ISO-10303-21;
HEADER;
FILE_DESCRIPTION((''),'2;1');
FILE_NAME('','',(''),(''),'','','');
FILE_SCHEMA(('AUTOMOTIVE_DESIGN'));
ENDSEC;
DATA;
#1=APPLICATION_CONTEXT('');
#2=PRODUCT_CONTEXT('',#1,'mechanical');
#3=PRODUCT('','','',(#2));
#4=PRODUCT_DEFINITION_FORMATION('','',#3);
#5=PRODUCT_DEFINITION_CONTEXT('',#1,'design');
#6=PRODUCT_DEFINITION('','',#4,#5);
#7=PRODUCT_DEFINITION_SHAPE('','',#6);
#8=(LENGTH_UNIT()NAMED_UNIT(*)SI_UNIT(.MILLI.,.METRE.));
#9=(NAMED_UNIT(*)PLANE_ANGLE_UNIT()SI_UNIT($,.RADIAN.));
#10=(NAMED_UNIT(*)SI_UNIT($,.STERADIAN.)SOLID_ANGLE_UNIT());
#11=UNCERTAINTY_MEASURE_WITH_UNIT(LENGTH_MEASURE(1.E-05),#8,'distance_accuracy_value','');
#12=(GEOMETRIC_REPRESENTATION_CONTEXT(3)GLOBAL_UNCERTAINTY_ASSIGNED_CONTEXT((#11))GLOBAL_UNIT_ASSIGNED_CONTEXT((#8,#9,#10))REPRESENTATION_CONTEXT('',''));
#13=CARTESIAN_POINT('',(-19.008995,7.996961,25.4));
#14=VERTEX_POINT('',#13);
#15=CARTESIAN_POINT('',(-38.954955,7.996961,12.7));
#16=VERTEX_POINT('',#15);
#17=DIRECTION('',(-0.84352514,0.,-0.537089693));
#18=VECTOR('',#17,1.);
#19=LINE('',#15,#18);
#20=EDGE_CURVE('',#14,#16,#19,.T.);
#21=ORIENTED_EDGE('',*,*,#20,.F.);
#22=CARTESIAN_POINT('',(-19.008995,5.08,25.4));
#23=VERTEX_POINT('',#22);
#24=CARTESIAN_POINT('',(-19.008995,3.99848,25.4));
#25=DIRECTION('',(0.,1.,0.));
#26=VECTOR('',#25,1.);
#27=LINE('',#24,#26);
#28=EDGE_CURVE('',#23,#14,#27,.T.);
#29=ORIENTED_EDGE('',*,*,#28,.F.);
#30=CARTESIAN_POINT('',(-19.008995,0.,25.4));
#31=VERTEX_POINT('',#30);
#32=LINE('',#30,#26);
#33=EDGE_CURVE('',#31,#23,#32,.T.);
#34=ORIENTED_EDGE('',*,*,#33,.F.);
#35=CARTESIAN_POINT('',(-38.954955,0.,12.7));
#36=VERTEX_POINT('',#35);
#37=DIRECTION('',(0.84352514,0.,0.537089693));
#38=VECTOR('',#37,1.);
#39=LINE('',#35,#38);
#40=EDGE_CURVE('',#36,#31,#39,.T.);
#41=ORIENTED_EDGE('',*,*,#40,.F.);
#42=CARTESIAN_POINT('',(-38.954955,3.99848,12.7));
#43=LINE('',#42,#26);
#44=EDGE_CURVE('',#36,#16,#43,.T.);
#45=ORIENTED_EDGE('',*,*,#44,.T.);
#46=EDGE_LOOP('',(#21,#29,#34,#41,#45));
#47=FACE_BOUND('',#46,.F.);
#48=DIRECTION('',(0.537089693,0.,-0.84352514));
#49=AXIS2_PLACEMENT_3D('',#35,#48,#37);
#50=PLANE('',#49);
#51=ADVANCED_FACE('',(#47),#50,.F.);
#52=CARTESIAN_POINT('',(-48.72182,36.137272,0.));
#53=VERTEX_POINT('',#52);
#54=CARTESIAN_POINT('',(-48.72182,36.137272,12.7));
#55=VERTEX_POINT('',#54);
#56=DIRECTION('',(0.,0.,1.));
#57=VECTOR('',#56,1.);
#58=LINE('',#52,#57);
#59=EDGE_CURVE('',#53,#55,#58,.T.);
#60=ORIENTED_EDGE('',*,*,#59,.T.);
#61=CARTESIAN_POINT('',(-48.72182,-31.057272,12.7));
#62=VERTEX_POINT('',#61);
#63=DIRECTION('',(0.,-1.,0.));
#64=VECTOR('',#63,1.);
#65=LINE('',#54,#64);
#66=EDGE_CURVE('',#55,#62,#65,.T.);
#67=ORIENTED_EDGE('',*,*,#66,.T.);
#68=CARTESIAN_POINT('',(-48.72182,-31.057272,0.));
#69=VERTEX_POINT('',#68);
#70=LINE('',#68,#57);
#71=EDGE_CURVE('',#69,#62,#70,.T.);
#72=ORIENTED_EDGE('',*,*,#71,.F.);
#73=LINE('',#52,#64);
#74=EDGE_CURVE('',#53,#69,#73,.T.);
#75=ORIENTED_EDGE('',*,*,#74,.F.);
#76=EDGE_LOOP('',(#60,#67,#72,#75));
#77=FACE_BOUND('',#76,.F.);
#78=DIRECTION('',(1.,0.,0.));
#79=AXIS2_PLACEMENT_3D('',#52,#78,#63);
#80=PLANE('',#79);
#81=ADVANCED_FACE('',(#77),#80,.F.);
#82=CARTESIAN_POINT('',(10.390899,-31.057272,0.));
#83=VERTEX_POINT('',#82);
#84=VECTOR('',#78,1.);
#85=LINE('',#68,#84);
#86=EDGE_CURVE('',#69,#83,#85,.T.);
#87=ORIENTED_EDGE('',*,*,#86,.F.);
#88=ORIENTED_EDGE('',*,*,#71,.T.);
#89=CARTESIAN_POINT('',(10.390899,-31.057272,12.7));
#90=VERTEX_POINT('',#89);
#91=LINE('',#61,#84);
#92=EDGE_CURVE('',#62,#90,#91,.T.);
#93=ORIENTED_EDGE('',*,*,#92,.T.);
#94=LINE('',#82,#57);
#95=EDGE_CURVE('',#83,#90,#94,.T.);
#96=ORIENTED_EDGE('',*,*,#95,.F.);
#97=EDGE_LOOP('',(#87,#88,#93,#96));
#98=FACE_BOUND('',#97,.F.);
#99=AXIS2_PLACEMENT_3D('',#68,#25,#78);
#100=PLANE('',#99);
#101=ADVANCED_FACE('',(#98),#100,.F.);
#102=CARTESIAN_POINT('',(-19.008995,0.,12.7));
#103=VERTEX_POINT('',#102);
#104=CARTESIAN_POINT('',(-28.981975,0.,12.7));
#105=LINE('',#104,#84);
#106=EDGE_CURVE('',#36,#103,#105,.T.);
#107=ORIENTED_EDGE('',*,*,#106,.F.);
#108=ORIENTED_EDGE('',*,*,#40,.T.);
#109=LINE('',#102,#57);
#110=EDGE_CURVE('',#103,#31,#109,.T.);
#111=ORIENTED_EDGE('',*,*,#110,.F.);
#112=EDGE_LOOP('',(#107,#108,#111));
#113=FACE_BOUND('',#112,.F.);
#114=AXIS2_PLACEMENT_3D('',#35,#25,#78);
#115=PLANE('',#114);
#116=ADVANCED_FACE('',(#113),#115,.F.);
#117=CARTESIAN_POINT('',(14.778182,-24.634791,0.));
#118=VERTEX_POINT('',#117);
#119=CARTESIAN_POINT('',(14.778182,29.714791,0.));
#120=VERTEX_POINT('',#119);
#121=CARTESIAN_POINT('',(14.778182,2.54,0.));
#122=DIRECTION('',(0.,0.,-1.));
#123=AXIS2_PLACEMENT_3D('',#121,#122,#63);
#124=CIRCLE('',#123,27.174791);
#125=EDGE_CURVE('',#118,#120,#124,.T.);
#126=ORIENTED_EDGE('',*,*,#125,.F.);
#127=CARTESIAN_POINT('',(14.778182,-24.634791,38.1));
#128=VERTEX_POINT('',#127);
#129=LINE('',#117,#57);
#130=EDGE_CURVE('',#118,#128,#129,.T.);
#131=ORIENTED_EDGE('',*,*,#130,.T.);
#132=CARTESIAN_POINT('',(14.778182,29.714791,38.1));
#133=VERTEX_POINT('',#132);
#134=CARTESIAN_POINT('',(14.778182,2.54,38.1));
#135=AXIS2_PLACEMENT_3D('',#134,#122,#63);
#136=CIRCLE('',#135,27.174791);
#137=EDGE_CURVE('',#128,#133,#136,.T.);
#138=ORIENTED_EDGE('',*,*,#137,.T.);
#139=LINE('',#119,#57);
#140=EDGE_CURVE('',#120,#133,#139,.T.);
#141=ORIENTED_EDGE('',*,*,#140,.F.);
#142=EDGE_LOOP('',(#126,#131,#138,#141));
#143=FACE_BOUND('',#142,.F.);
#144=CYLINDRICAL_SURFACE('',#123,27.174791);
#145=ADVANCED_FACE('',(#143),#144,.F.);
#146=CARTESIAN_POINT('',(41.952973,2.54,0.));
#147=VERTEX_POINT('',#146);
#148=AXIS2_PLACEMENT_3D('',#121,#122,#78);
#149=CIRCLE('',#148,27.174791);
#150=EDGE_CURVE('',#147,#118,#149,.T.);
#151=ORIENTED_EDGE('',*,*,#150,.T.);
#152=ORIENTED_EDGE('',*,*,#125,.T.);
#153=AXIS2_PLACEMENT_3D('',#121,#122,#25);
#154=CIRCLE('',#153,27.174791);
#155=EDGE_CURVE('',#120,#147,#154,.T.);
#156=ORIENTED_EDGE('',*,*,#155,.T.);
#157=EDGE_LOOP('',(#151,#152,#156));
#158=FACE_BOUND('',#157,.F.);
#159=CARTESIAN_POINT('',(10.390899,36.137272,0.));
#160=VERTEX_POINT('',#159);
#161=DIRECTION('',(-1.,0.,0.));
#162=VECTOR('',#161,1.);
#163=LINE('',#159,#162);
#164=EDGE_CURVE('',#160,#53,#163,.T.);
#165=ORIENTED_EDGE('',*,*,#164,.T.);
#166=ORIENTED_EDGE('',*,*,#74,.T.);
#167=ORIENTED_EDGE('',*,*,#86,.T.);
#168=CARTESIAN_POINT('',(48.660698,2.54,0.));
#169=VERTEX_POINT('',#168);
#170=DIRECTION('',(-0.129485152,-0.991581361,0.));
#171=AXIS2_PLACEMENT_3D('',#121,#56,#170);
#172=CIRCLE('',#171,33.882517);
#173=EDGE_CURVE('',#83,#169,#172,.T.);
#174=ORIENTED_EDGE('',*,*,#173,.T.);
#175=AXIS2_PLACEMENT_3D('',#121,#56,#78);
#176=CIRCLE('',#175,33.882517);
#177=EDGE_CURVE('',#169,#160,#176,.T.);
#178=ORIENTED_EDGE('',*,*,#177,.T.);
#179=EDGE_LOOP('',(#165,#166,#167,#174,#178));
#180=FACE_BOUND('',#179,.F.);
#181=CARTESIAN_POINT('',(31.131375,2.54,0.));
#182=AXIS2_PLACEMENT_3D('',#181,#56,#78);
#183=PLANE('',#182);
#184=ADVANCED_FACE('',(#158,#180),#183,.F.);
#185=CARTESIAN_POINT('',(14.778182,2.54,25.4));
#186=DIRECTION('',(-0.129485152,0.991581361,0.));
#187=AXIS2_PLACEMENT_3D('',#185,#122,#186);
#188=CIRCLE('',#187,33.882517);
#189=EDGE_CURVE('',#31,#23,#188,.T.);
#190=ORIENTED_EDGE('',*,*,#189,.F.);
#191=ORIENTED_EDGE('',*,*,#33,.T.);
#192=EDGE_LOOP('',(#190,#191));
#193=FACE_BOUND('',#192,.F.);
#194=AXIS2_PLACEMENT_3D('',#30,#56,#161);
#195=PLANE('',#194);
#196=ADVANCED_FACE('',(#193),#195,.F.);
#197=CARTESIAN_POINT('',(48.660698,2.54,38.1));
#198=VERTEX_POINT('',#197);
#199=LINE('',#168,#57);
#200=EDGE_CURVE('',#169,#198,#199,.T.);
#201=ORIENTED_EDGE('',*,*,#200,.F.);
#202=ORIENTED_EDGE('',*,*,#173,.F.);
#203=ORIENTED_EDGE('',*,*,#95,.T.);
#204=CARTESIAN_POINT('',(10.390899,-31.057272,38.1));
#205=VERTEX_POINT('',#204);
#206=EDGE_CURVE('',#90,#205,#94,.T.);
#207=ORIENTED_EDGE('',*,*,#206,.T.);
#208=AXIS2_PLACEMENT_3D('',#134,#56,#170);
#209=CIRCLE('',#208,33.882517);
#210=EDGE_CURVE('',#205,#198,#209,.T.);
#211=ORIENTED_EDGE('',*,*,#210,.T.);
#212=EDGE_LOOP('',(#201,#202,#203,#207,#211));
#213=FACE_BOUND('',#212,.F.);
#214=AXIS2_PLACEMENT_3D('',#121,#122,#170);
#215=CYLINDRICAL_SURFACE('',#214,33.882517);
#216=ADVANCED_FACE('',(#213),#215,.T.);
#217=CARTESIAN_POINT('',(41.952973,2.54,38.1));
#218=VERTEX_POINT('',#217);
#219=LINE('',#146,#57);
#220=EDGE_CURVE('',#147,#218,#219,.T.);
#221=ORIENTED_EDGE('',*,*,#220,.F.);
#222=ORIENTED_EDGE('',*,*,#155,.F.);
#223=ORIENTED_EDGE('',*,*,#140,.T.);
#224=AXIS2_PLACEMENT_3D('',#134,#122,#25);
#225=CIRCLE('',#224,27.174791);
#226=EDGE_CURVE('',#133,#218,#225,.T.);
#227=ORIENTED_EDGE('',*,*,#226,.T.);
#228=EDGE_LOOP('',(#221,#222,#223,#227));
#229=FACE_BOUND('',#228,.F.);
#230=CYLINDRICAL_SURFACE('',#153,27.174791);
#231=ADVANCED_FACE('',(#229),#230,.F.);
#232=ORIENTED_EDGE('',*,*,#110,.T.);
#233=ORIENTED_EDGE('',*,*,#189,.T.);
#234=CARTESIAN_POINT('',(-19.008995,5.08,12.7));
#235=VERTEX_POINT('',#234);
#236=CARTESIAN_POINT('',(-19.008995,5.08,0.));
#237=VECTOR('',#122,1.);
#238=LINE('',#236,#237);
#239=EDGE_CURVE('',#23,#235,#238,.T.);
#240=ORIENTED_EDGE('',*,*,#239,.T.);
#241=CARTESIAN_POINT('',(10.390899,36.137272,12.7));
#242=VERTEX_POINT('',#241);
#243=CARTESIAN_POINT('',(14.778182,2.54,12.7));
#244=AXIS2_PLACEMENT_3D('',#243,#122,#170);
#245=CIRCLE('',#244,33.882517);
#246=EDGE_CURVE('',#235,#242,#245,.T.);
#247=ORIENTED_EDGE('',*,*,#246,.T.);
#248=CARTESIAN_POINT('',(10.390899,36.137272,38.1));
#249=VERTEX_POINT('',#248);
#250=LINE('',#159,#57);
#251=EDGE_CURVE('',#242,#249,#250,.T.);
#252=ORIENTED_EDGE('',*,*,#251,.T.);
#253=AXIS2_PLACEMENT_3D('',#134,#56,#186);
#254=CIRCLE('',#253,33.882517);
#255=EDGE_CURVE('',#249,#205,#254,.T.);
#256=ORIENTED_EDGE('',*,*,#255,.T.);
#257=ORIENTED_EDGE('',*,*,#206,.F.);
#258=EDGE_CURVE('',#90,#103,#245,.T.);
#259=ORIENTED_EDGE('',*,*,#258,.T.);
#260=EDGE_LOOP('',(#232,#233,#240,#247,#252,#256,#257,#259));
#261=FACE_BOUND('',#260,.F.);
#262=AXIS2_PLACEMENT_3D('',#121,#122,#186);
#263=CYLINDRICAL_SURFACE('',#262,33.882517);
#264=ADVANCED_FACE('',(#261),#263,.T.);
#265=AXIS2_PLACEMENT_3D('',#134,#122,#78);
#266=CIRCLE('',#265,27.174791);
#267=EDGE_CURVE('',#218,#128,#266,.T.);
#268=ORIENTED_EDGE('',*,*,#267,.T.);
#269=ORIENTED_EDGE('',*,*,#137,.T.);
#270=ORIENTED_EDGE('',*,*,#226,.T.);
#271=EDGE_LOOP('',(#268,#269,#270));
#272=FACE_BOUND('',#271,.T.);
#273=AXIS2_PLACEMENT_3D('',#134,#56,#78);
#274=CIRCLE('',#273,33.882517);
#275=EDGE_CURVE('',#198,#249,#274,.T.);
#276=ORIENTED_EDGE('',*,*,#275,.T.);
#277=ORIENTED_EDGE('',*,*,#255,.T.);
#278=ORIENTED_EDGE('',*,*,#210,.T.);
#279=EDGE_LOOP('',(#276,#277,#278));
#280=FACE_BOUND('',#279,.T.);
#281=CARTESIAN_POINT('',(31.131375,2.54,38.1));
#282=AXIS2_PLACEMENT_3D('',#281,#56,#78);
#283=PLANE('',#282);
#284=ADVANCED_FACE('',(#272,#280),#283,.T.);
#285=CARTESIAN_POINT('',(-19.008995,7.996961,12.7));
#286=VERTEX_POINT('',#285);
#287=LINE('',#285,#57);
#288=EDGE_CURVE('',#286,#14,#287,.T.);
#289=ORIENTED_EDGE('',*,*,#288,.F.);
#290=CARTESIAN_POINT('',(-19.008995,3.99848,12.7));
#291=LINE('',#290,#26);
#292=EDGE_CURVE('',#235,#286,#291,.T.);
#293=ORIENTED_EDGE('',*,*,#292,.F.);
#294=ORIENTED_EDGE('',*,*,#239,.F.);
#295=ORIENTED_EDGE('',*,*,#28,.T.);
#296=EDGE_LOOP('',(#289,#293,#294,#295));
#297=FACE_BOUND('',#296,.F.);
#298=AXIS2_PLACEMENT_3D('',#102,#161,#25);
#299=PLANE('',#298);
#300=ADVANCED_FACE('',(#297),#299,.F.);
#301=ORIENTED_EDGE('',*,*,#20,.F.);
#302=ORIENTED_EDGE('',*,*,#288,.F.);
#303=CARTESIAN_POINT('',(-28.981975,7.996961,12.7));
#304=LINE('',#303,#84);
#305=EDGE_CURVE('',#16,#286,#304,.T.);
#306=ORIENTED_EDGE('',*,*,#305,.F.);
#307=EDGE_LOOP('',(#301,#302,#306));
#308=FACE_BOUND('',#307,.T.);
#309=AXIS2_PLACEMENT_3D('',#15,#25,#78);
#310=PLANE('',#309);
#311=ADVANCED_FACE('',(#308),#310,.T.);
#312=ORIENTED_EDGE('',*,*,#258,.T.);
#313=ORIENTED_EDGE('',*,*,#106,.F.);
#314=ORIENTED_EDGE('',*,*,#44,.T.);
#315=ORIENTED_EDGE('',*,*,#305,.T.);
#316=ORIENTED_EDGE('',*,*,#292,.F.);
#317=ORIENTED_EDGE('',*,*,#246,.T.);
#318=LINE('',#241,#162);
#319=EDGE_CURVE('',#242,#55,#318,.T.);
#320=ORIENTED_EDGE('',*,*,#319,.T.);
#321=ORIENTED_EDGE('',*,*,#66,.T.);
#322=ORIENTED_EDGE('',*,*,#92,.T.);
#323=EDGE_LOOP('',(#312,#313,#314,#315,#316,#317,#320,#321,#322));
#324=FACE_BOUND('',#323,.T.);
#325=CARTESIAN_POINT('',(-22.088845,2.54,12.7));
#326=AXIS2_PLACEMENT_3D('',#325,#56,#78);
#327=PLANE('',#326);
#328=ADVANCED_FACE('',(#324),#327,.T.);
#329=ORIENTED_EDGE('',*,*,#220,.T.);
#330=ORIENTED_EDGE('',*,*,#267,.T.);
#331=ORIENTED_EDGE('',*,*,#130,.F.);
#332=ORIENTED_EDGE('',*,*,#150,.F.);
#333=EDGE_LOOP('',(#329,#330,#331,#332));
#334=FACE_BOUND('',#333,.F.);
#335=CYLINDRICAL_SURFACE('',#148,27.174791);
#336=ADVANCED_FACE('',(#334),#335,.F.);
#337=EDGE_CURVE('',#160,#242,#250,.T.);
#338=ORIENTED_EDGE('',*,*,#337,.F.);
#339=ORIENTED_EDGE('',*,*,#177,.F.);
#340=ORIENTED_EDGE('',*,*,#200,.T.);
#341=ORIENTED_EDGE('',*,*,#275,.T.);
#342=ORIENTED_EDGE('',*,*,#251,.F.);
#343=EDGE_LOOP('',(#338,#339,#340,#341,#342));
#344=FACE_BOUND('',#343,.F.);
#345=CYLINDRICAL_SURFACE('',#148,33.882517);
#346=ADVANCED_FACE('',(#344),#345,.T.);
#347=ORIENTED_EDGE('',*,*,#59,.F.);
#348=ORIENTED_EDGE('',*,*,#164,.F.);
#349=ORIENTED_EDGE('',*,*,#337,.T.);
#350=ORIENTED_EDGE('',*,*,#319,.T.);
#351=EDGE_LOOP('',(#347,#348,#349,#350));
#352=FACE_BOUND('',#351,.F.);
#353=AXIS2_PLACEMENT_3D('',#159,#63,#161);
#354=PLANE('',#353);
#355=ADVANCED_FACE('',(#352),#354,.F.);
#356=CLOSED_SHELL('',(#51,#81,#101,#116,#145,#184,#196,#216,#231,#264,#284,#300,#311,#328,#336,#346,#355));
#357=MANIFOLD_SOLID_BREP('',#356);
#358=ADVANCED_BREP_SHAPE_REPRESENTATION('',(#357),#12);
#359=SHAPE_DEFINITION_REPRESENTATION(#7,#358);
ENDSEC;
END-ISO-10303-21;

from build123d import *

# Parameters (mm, degrees)
F1_DEPTH = 12.7
F2_DEPTH = 38.1
F3_W     = 19.9459594991
F3_H     = 7.9969605431
F4_DEPTH = 12.7
F6_DEPTH = 25.4


with BuildPart() as f1:
    # F0 (on Top) → F1 (new body)
    with BuildSketch(Plane.XY):
        with BuildLine():
            Line((10.3908990951, 36.1372716725), (-48.721820116, 36.1372716725))
            Line((-48.721820116, 36.1372716725), (-48.721820116, -31.0572721064))
            Line((-48.721820116, -31.0572721064), (10.3908990951, -31.0572721064))
            ThreePointArc((10.3908990951, -31.0572721064), (-19.1043346565, 2.539999783), (10.3908990951, 36.1372716725))
        make_face()
    extrude(amount=F1_DEPTH)

    # F0 (on Top) → F2 (join)
    with BuildSketch(Plane.XY):
        with BuildLine():
            ThreePointArc((48.6606984776, 2.539999783), (37.1318476752, 28.0024929013), (10.3908990951, 36.1372716725))
            Line((10.3908990951, 36.1372716725), (14.7781819105, 36.1372716725))
            Line((14.7781819105, 36.1372716725), (14.7781819105, 29.7147905973))
            ThreePointArc((14.7781819105, 29.7147905973), (33.9936607726, 21.7554786451), (41.9529727248, 2.539999783))
            ThreePointArc((41.9529727248, 2.539999783), (33.9936607726, -16.675479079), (14.7781819105, -24.6347910312))
            Line((14.7781819105, -24.6347910312), (14.7781819105, -31.0572721064))
            Line((14.7781819105, -31.0572721064), (10.3908990951, -31.0572721064))
            ThreePointArc((10.3908990951, -31.0572721064), (37.1318476752, -22.9224933352), (48.6606984776, 2.539999783))
        make_face()
        with BuildLine():
            Line((14.7781819105, 36.1372716725), (10.3908990951, 36.1372716725))
            ThreePointArc((10.3908990951, 36.1372716725), (-19.1043346565, 2.539999783), (10.3908990951, -31.0572721064))
            Line((10.3908990951, -31.0572721064), (14.7781819105, -31.0572721064))
            Line((14.7781819105, -31.0572721064), (14.7781819105, -24.6347910312))
            ThreePointArc((14.7781819105, -24.6347910312), (-12.3966089037, 2.539999783), (14.7781819105, 29.7147905973))
            Line((14.7781819105, 29.7147905973), (14.7781819105, 36.1372716725))
        make_face()
    extrude(amount=F2_DEPTH)

    # F3 (on face) → F4 (join)
    with BuildSketch(Plane.XY.offset(12.7)):
        with Locations((-28.9819748448, 3.9984802715)):
            Rectangle(F3_W, F3_H)
    extrude(amount=F4_DEPTH)

    # F5 (on face) → F6 (cut)
    with BuildSketch(Plane.XZ):
        Polygon((-38.9549545944, 12.7), (-19.0089950952, 25.4), (-38.9549545944, 25.4), align=None)
    extrude(amount=-F6_DEPTH, mode=Mode.SUBTRACT)


solid = f1.part
